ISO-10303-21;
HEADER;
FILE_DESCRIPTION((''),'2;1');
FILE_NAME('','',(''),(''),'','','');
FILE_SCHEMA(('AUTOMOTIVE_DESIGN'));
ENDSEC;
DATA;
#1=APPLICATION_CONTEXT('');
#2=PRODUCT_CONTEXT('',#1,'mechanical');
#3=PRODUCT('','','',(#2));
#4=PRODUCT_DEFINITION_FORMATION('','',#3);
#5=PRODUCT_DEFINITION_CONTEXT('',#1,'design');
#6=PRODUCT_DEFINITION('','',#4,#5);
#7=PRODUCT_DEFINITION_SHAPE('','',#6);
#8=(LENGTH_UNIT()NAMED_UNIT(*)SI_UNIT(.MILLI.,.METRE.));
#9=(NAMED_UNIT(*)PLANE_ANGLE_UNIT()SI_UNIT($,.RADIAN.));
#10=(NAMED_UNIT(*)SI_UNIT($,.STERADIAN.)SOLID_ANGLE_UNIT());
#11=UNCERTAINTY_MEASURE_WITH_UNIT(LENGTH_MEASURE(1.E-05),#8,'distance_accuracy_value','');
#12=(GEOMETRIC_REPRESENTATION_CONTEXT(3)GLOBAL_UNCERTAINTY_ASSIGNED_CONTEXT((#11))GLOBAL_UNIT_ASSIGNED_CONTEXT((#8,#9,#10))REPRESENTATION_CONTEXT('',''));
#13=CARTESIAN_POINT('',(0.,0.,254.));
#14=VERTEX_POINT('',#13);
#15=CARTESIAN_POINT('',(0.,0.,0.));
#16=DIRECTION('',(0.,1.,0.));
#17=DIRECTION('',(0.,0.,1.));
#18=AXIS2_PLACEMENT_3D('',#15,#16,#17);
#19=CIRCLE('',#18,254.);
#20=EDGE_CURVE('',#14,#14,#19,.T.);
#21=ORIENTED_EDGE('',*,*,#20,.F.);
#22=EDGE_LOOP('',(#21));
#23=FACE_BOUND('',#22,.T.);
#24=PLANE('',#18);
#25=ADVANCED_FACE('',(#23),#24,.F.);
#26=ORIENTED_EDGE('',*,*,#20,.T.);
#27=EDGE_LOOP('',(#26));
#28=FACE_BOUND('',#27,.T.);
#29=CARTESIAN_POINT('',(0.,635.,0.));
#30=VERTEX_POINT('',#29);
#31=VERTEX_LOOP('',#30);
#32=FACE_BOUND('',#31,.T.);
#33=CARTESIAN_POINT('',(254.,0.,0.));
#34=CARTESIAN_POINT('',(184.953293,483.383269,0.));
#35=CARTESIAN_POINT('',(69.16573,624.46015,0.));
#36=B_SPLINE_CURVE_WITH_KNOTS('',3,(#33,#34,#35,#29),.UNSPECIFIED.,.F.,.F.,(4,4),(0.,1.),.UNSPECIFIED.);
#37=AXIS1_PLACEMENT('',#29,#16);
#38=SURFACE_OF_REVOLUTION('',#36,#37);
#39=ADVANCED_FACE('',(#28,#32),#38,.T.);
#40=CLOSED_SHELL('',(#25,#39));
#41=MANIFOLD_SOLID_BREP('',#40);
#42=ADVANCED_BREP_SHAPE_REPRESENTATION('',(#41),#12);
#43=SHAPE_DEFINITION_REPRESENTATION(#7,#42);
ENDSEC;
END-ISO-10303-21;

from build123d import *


with BuildPart() as part:
    # Sketch1 → Revolve4 (revolve)
    with BuildSketch(Plane.XY):
        with BuildLine():
            Line((0, 635), (0, 0))
            Line((0, 0), (254, 0))
            add(Edge.make_bspline(
                [(0, 635), (69.16573013, 624.460149905), (184.953292607, 483.383268854), (254, 0)],
                knots=[0, 0, 0, 0, 1, 1, 1, 1], degree=3))
        make_face()
    revolve(axis=Axis((0, 635, 0), (0, -1, 0)))


solid = part.part
